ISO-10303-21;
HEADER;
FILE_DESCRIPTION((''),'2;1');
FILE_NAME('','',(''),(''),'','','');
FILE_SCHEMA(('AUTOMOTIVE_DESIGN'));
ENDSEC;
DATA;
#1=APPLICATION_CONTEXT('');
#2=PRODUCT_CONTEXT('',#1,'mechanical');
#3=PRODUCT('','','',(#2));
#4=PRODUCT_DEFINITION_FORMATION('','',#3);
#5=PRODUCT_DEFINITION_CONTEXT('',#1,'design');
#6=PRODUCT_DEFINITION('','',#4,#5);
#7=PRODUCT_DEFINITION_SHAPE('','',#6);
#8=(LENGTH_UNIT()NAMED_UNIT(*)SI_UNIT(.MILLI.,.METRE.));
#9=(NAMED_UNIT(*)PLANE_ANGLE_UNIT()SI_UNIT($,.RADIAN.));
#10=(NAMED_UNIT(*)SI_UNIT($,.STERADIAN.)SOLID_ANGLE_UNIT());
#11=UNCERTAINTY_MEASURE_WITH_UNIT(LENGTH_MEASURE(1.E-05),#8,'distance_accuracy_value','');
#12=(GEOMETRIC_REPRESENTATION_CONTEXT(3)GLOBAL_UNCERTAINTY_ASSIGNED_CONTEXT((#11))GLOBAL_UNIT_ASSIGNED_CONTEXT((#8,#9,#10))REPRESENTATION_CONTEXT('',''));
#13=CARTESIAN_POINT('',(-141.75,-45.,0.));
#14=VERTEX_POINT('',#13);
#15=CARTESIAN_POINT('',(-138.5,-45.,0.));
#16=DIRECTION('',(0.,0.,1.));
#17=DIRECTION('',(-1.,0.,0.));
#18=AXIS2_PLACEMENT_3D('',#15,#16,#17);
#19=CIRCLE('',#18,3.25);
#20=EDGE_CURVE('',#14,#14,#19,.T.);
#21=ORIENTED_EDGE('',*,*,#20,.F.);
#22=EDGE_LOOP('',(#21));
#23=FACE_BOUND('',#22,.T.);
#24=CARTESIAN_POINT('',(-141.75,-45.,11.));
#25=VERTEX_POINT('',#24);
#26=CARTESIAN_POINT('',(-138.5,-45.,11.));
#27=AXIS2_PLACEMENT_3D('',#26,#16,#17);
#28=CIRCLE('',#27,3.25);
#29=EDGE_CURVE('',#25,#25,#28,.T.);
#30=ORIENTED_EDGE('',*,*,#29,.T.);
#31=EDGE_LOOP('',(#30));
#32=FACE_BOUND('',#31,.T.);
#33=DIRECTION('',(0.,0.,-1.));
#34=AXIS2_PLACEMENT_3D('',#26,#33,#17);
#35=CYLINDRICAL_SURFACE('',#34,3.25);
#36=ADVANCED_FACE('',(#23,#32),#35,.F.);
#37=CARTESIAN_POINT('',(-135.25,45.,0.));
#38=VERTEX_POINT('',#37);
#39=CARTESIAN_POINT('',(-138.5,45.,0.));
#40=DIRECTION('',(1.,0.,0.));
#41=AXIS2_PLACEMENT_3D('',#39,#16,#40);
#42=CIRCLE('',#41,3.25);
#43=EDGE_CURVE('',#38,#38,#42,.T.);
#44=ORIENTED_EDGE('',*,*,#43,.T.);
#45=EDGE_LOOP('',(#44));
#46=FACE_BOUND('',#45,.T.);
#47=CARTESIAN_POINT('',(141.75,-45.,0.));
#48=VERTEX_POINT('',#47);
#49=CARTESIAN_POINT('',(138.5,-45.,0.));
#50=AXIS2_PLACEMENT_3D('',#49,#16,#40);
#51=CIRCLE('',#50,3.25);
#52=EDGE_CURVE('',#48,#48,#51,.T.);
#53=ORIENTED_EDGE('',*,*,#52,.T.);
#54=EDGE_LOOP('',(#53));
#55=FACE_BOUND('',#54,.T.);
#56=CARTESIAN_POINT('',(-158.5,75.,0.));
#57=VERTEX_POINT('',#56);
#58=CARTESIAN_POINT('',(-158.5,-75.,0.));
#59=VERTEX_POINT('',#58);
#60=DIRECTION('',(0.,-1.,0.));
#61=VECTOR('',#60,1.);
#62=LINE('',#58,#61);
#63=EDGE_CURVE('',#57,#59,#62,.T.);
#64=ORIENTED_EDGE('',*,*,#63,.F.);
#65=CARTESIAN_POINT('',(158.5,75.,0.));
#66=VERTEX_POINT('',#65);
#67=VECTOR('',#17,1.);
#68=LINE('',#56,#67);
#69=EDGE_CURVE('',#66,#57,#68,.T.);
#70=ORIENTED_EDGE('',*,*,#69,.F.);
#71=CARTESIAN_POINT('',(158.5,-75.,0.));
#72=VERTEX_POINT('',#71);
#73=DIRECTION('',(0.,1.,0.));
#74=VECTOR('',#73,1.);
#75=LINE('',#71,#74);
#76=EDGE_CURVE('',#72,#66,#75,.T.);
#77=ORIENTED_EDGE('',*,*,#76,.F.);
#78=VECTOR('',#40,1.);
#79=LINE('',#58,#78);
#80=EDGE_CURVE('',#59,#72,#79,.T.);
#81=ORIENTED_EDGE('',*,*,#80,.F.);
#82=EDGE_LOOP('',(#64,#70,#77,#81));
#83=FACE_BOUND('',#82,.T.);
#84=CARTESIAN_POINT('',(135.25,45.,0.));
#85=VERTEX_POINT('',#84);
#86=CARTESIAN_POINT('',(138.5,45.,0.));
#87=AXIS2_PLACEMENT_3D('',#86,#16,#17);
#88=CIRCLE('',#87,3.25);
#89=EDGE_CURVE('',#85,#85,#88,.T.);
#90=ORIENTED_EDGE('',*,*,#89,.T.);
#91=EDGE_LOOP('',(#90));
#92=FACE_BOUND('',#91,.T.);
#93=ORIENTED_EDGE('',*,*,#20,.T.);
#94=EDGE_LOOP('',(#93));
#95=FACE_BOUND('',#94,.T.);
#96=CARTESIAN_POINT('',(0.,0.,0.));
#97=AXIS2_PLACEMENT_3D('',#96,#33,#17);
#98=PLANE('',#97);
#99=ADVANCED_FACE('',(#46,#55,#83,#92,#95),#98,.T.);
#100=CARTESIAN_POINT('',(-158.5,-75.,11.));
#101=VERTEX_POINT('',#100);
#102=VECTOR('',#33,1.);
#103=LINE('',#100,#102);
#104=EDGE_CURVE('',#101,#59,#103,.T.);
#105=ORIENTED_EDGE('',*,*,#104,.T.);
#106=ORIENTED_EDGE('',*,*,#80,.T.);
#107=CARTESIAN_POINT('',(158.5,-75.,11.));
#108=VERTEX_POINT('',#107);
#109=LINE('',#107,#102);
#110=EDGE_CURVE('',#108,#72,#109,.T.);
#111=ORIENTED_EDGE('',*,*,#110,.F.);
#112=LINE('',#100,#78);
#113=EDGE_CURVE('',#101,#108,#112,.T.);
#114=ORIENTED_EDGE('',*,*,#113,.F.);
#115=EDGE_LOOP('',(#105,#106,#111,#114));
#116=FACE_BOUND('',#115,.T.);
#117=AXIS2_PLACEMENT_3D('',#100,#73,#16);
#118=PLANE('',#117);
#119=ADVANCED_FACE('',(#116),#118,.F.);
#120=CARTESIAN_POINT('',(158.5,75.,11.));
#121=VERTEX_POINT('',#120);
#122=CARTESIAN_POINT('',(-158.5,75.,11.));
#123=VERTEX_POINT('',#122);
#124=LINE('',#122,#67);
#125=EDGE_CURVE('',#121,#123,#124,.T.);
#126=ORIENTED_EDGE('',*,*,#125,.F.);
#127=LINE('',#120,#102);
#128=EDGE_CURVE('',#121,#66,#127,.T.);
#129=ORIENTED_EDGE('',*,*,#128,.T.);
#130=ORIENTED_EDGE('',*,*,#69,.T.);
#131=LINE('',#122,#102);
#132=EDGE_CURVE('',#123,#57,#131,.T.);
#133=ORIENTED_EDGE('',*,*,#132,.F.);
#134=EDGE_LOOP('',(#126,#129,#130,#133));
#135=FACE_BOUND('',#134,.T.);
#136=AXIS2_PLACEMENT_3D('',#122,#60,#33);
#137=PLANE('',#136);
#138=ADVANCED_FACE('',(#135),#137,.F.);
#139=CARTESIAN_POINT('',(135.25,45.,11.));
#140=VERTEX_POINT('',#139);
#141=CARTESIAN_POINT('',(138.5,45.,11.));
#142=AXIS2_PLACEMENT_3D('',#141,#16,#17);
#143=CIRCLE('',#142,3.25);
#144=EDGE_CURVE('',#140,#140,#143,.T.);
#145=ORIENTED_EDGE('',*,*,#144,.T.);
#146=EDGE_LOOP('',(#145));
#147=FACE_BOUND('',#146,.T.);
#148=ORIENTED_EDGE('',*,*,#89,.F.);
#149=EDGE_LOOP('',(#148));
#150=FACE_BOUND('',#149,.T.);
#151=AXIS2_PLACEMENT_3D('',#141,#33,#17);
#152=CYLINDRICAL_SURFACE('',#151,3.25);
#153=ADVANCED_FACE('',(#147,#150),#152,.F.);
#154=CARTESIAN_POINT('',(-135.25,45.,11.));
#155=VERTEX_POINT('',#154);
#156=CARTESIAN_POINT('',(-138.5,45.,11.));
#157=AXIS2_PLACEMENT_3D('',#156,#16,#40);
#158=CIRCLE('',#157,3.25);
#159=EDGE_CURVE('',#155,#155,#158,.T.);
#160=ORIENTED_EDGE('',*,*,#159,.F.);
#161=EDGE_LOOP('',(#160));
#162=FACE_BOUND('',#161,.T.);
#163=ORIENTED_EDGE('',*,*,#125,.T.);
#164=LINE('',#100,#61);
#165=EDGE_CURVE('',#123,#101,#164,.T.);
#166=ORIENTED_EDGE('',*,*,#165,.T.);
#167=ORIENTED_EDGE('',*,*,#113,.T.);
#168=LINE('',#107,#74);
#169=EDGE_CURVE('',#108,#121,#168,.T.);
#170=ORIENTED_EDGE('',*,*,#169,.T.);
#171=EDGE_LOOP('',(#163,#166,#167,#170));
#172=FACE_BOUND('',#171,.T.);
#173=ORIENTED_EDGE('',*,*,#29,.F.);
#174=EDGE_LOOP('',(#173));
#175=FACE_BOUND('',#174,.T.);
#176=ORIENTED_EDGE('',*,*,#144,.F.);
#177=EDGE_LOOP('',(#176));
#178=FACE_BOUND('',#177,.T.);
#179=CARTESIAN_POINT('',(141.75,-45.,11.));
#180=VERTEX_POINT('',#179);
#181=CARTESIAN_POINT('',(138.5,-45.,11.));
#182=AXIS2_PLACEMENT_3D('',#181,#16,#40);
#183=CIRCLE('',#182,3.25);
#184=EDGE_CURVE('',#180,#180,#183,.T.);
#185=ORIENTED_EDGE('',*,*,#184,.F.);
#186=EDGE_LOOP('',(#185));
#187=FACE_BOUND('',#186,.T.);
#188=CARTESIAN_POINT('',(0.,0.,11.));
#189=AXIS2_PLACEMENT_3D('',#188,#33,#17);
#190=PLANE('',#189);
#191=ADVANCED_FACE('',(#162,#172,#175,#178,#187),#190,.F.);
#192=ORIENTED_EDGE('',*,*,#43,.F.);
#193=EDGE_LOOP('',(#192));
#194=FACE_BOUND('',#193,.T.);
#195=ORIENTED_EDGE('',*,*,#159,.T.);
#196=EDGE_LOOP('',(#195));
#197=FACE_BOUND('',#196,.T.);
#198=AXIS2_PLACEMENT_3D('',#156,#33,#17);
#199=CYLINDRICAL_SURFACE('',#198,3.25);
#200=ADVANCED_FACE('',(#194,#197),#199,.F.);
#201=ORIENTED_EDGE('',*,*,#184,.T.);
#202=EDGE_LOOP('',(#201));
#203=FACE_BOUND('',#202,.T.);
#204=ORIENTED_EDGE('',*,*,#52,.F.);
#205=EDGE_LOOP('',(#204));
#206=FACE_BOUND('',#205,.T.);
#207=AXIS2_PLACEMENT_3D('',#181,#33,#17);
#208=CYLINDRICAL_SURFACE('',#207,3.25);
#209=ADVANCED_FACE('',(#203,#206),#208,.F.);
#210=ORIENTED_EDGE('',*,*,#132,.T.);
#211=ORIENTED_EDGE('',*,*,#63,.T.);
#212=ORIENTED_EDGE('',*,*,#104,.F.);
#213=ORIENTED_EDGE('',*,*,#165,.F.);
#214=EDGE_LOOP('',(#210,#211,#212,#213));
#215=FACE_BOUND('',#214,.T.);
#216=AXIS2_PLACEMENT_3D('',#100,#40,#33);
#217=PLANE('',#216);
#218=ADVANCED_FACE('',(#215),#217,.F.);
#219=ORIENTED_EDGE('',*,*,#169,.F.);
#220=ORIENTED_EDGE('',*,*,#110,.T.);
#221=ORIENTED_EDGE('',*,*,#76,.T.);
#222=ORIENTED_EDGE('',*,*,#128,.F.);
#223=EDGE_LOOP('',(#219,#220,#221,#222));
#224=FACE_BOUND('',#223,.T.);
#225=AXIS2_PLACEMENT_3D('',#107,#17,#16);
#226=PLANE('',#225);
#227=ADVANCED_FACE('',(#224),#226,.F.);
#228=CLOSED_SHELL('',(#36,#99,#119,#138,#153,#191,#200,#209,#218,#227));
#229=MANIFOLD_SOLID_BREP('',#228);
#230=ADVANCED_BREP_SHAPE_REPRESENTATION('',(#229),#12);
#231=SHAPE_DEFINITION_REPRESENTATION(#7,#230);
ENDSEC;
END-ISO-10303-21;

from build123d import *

# Parameters (mm, degrees)
SKETCH2_W           = 317
SKETCH2_H           = 150
SKETCH2_R           = 3.25
BOSS_EXTRUDE1_DEPTH = 11


with BuildPart() as part:
    # Sketch2 → Boss-Extrude1 (new body)
    with BuildSketch(Plane.XY):
        Rectangle(SKETCH2_W, SKETCH2_H)
        with Locations((-138.5, 45)):
            Circle(SKETCH2_R, mode=Mode.SUBTRACT)
        with Locations(Location((138.5, 45, 0), (0, 0, 180))):
            Circle(SKETCH2_R, mode=Mode.SUBTRACT)
        with Locations((138.5, -45)):
            Circle(SKETCH2_R, mode=Mode.SUBTRACT)
        with Locations(Location((-138.5, -45, 0), (0, 0, 180))):
            Circle(SKETCH2_R, mode=Mode.SUBTRACT)
    extrude(amount=BOSS_EXTRUDE1_DEPTH)


solid = part.part
